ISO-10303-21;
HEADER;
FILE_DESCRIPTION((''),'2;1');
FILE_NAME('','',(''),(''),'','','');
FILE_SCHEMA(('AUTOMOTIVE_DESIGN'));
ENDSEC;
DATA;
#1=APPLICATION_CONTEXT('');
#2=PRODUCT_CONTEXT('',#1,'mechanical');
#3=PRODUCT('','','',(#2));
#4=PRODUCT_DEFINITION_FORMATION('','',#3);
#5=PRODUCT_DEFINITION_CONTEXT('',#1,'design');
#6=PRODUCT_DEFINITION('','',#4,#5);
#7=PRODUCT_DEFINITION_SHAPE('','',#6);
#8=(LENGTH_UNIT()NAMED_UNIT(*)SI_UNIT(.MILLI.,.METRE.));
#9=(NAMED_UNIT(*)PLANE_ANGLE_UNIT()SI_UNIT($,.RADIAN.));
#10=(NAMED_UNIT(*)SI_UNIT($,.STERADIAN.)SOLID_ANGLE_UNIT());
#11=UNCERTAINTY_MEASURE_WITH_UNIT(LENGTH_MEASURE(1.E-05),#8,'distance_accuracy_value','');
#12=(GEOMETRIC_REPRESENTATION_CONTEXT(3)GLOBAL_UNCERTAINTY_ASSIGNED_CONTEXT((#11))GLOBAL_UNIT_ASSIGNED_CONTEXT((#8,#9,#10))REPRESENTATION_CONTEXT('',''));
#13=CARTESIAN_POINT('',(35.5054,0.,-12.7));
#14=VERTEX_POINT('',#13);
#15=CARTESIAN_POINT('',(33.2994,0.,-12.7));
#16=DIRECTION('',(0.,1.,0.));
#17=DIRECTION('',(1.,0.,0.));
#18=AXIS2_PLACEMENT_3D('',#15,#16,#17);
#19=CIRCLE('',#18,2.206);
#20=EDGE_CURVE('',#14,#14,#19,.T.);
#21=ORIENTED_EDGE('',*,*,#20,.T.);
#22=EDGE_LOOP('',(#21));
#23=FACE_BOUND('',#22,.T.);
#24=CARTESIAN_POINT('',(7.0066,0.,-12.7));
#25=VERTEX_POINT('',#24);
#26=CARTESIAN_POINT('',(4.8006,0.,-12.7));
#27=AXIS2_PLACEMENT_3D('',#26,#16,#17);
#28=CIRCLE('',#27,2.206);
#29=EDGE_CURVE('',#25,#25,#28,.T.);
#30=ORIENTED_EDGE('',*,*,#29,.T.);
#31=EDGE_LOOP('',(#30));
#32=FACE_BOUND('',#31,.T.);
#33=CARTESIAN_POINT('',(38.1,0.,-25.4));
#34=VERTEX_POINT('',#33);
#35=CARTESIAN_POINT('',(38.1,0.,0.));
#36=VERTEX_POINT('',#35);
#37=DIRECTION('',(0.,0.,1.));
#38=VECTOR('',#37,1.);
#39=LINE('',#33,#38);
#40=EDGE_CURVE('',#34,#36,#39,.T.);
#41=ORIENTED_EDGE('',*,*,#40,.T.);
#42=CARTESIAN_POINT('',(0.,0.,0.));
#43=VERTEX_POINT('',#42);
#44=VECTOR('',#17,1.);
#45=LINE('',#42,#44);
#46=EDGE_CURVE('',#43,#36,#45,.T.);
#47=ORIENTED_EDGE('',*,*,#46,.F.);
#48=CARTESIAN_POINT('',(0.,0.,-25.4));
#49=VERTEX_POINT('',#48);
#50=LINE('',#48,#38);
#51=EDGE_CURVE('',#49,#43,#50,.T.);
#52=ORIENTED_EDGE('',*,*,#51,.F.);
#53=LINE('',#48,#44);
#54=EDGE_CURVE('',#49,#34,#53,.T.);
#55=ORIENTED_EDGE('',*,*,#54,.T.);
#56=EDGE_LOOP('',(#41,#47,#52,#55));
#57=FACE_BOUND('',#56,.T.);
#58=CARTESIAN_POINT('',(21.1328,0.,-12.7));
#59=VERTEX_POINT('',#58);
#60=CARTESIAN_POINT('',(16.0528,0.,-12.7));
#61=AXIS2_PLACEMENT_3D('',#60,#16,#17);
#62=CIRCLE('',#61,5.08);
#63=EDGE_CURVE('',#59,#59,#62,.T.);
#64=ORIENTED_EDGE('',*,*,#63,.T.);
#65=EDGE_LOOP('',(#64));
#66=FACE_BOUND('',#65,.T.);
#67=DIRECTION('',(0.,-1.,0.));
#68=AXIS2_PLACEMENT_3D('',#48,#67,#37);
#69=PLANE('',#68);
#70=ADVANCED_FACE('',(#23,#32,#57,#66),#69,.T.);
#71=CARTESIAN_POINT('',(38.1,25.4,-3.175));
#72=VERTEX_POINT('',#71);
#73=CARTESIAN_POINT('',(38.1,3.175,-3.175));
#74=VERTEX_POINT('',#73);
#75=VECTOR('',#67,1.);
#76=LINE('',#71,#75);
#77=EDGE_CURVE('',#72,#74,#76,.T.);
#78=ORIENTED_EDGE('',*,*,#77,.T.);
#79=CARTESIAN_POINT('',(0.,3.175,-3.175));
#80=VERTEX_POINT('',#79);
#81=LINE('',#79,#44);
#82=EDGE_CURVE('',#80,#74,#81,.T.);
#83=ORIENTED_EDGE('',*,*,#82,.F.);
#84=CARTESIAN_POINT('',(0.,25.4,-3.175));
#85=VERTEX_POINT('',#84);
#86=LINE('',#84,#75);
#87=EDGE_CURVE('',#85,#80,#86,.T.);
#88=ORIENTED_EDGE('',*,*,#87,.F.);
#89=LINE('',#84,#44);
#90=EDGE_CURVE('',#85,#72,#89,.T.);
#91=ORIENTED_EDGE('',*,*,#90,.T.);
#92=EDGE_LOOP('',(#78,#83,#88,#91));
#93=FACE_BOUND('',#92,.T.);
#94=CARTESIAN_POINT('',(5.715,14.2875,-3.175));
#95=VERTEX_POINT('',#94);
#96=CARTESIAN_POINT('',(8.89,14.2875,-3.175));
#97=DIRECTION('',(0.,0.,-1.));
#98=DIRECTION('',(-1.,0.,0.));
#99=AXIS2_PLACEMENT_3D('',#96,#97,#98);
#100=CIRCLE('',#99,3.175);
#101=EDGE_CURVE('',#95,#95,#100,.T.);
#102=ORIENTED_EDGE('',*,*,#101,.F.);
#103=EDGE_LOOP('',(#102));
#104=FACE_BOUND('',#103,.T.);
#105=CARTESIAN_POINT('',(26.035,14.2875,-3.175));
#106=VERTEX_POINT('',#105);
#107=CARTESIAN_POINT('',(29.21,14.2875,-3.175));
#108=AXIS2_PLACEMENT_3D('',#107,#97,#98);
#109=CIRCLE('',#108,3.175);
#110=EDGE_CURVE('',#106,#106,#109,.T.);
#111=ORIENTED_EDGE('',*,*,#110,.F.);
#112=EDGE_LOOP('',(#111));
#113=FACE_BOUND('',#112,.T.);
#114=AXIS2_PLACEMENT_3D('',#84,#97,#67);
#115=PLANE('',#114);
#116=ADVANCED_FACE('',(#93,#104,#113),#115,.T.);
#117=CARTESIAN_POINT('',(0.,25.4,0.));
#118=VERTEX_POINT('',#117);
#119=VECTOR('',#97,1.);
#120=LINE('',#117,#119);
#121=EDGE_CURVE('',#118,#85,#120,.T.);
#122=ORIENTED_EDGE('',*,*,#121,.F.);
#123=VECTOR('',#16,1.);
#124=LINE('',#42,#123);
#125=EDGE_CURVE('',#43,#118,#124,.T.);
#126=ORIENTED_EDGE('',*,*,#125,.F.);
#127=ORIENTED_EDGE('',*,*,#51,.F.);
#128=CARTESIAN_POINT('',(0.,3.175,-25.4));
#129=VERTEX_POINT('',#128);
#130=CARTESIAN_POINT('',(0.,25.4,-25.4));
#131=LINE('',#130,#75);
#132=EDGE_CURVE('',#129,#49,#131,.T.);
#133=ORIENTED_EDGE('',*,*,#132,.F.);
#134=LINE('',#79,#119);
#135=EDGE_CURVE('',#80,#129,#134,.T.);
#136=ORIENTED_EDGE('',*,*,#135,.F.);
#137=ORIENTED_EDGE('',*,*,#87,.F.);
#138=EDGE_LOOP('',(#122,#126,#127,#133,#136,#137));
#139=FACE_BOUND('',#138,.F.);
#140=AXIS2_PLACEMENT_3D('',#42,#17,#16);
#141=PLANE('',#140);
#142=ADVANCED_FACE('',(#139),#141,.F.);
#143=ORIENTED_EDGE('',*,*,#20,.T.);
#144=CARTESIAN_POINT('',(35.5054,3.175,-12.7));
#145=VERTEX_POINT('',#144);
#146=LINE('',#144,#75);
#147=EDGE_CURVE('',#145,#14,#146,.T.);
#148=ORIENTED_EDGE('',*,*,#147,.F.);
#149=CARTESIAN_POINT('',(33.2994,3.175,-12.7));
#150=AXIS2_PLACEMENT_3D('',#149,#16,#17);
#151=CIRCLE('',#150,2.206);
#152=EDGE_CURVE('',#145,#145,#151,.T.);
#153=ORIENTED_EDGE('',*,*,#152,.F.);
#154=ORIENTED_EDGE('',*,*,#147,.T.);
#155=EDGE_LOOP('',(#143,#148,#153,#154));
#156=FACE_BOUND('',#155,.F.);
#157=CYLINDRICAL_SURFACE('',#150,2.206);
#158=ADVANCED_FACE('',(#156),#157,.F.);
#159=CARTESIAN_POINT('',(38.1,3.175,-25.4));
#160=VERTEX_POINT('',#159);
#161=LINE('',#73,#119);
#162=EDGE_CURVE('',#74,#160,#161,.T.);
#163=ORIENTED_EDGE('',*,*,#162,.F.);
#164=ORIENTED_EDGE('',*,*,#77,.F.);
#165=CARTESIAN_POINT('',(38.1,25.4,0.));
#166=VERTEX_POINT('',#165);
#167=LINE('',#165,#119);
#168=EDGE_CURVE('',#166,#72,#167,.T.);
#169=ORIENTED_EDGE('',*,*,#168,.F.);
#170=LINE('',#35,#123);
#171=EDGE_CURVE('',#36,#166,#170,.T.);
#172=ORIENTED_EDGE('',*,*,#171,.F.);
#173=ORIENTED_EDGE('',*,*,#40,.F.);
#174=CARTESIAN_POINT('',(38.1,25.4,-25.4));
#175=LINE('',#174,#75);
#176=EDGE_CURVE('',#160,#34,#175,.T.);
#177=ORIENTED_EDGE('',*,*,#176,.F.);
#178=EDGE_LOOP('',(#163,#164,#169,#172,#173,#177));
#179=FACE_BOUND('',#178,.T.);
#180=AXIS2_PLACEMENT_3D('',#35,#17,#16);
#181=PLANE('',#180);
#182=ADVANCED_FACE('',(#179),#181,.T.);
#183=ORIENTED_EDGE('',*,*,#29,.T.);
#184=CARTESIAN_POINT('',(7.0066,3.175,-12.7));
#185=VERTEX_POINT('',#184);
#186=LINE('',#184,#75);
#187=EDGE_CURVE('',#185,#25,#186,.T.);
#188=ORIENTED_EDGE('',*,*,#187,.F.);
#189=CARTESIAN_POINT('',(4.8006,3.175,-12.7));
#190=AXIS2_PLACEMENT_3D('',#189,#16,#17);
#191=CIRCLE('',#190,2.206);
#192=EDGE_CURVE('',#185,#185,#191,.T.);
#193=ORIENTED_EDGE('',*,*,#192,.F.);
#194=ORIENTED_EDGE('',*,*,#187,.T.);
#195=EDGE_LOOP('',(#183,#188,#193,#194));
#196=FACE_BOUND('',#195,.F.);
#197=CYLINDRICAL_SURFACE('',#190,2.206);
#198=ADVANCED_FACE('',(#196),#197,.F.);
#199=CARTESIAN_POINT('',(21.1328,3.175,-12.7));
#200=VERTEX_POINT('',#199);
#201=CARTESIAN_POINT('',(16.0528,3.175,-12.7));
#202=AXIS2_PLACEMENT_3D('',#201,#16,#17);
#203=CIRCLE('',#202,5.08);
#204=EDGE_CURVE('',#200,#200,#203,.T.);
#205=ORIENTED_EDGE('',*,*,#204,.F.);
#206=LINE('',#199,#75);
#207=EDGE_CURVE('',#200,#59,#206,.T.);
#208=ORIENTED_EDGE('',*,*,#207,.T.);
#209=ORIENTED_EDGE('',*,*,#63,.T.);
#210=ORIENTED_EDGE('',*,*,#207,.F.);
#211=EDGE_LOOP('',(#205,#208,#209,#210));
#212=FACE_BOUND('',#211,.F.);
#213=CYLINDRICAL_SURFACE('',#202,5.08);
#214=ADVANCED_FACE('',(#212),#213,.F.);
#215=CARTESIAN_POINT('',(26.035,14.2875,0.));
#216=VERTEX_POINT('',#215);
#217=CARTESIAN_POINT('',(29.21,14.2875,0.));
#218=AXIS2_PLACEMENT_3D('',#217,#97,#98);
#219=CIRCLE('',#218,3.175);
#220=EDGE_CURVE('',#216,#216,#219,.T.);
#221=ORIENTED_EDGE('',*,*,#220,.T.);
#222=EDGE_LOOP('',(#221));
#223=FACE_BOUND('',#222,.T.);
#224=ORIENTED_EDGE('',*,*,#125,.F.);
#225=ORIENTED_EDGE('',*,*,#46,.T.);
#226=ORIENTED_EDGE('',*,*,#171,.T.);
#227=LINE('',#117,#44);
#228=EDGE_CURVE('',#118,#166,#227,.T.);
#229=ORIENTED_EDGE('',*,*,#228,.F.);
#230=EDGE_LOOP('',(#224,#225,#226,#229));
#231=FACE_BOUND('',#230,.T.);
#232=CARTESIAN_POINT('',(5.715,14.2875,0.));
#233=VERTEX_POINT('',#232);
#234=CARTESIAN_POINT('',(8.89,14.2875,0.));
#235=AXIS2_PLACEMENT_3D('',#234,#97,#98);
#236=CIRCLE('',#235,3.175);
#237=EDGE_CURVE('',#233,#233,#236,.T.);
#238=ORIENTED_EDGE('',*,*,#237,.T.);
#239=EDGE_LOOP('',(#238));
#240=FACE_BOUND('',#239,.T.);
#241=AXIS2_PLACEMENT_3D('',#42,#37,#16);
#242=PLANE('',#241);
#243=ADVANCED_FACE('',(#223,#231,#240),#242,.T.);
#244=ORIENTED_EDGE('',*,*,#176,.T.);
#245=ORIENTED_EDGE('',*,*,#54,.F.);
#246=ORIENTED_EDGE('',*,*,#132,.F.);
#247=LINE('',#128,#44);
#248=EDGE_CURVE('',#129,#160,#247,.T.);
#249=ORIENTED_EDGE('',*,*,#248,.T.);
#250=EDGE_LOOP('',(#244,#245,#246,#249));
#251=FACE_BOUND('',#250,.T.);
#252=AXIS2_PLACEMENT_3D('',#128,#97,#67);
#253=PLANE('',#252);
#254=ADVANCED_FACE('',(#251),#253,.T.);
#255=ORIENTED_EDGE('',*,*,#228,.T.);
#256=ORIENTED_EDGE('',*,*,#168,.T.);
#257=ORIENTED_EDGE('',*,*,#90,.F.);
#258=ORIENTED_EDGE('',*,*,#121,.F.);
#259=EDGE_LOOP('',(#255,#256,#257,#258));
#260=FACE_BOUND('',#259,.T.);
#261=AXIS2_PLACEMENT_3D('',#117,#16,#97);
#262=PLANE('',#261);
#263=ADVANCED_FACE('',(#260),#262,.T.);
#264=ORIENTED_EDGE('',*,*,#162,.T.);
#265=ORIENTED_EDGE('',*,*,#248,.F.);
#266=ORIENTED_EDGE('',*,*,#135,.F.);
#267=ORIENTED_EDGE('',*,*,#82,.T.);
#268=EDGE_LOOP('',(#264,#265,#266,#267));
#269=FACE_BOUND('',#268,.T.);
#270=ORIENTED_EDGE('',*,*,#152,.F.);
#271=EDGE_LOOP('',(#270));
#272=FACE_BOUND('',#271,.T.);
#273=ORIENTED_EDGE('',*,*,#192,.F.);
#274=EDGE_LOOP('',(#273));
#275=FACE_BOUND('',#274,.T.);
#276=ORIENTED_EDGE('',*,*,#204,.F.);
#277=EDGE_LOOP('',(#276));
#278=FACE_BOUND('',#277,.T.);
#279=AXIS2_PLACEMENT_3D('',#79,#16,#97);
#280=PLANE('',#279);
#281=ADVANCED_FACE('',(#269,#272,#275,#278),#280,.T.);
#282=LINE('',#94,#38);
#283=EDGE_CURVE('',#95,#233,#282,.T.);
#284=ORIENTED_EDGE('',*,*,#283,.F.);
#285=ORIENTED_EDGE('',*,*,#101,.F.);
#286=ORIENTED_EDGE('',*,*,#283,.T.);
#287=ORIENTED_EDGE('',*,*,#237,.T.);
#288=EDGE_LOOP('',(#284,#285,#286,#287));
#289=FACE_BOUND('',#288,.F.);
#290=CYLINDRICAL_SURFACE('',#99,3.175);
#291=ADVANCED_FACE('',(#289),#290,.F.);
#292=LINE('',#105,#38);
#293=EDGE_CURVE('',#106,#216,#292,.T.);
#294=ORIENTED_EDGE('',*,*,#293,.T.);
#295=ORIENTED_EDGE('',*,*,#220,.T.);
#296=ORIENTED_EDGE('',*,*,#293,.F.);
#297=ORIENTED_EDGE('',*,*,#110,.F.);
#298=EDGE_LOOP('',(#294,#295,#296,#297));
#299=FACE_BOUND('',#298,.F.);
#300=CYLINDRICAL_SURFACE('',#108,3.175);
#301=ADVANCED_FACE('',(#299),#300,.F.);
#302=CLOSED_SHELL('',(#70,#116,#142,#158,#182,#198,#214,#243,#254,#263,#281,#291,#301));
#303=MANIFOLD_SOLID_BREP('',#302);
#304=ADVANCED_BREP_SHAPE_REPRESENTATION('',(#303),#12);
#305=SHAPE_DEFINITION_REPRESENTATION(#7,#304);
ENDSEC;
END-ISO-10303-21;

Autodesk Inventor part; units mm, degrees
ref_plane "YZ Plane" through (0, 0, 0) normal (1, 0, 0) x (0, 1, 0)
ref_plane "XZ Plane" through (0, 0, 0) normal (0, 1, 0) x (-1, 0, 0)
ref_plane "XY Plane" through (0, 0, 0) normal (0, 0, 1) x (1, 0, 0)
sketch "Sketch1" plane through (0, 0, 0) normal (1, 0, 0) x (0, 1, 0)
  line L0 (0, 0) -> (25.4, 0)
  line L1 (25.4, 0) -> (25.4, -25.4)
  line L2 (25.4, -25.4) -> (0, -25.4)
  line L3 (0, -25.4) -> (0, 0)
  line L4 (0, -25.4) -> (3.175, -25.4)
  line L5 (25.4, 0) -> (25.4, -3.175)
  line L6 (25.4, -3.175) -> (3.175, -3.175)
  line L7 (3.175, -3.175) -> (3.175, -25.4)
  dimension "d0" = 25.4
  dimension "d1" = 25.4
  dimension "d2" = 3.175
  dimension "d3" = 3.175
extrude "Extrusion1" add sketch "Sketch1" along normal blind 38.1 contours L0 L1 L6 L7 L2 L3
sketch "Sketch2" plane through (0, 3.175, -3.175) normal (0, 1, 0) x (1, 0, 0)
  line L0 (0, -3.175) -> (0, 22.225) construction
  line L1 (0, 22.225) -> (0, -3.175) construction
  line L2 (0, 9.525) -> (38.1, 9.525) construction
  line L3 (38.1, -3.175) -> (38.1, 22.225) construction
  circle A0 centre (4.8006, 9.525) radius 2.206
  circle A1 centre (33.2994, 9.525) radius 2.206
  line L4 (33.2994, 9.525) -> (19.05, 9.525) construction
  line L5 (19.05, 9.525) -> (4.8006, 9.525) construction
  line L6 (4.8006, 9.525) -> (16.0528, 9.525) construction
  circle A2 centre (16.0528, 9.525) radius 5.08
  dimension "d6" = 25.4
  dimension "d7" = 14.2494
  dimension "d8" = 14.2494
  dimension "d11" = 4.412
  dimension "d12" = 4.412
  dimension "d13" = 11.2522
  dimension "d15" = 10.16
extrude "Extrusion2" cut sketch "Sketch2" against normal blind 38.1
sketch "Sketch3" plane through (0, 3.175, -3.175) normal (0, 0, -1) x (-1, 0, 0)
  line L0 (0, 22.225) -> (0, -3.175) construction
  line L1 (0, 22.225) -> (0, 0) construction
  line L2 (0, 11.1125) -> (-38.1, 11.1125) construction
  line L3 (-38.1, 0) -> (-38.1, 22.225) construction
  circle A0 centre (-29.21, 11.1125) radius 3.175
  circle A1 centre (-8.89, 11.1125) radius 3.175
  line L4 (-19.05, 11.1125) -> (-19.05, 13.4043) construction
  dimension "d16" = 22.225
  dimension "d17" = 10.16
  dimension "d18" = 10.16
  dimension "d19" = 6.35
  dimension "d20" = 6.35
extrude "Extrusion3" cut sketch "Sketch3" against normal blind 38.1
equation "\"d0\" = d1"
equation "\"d8\" = d7"
equation "\"d12\" = d11"
equation "\"d18\" = d17"
equation "\"d20\" = d19"
properties part number "bumper bracket"
